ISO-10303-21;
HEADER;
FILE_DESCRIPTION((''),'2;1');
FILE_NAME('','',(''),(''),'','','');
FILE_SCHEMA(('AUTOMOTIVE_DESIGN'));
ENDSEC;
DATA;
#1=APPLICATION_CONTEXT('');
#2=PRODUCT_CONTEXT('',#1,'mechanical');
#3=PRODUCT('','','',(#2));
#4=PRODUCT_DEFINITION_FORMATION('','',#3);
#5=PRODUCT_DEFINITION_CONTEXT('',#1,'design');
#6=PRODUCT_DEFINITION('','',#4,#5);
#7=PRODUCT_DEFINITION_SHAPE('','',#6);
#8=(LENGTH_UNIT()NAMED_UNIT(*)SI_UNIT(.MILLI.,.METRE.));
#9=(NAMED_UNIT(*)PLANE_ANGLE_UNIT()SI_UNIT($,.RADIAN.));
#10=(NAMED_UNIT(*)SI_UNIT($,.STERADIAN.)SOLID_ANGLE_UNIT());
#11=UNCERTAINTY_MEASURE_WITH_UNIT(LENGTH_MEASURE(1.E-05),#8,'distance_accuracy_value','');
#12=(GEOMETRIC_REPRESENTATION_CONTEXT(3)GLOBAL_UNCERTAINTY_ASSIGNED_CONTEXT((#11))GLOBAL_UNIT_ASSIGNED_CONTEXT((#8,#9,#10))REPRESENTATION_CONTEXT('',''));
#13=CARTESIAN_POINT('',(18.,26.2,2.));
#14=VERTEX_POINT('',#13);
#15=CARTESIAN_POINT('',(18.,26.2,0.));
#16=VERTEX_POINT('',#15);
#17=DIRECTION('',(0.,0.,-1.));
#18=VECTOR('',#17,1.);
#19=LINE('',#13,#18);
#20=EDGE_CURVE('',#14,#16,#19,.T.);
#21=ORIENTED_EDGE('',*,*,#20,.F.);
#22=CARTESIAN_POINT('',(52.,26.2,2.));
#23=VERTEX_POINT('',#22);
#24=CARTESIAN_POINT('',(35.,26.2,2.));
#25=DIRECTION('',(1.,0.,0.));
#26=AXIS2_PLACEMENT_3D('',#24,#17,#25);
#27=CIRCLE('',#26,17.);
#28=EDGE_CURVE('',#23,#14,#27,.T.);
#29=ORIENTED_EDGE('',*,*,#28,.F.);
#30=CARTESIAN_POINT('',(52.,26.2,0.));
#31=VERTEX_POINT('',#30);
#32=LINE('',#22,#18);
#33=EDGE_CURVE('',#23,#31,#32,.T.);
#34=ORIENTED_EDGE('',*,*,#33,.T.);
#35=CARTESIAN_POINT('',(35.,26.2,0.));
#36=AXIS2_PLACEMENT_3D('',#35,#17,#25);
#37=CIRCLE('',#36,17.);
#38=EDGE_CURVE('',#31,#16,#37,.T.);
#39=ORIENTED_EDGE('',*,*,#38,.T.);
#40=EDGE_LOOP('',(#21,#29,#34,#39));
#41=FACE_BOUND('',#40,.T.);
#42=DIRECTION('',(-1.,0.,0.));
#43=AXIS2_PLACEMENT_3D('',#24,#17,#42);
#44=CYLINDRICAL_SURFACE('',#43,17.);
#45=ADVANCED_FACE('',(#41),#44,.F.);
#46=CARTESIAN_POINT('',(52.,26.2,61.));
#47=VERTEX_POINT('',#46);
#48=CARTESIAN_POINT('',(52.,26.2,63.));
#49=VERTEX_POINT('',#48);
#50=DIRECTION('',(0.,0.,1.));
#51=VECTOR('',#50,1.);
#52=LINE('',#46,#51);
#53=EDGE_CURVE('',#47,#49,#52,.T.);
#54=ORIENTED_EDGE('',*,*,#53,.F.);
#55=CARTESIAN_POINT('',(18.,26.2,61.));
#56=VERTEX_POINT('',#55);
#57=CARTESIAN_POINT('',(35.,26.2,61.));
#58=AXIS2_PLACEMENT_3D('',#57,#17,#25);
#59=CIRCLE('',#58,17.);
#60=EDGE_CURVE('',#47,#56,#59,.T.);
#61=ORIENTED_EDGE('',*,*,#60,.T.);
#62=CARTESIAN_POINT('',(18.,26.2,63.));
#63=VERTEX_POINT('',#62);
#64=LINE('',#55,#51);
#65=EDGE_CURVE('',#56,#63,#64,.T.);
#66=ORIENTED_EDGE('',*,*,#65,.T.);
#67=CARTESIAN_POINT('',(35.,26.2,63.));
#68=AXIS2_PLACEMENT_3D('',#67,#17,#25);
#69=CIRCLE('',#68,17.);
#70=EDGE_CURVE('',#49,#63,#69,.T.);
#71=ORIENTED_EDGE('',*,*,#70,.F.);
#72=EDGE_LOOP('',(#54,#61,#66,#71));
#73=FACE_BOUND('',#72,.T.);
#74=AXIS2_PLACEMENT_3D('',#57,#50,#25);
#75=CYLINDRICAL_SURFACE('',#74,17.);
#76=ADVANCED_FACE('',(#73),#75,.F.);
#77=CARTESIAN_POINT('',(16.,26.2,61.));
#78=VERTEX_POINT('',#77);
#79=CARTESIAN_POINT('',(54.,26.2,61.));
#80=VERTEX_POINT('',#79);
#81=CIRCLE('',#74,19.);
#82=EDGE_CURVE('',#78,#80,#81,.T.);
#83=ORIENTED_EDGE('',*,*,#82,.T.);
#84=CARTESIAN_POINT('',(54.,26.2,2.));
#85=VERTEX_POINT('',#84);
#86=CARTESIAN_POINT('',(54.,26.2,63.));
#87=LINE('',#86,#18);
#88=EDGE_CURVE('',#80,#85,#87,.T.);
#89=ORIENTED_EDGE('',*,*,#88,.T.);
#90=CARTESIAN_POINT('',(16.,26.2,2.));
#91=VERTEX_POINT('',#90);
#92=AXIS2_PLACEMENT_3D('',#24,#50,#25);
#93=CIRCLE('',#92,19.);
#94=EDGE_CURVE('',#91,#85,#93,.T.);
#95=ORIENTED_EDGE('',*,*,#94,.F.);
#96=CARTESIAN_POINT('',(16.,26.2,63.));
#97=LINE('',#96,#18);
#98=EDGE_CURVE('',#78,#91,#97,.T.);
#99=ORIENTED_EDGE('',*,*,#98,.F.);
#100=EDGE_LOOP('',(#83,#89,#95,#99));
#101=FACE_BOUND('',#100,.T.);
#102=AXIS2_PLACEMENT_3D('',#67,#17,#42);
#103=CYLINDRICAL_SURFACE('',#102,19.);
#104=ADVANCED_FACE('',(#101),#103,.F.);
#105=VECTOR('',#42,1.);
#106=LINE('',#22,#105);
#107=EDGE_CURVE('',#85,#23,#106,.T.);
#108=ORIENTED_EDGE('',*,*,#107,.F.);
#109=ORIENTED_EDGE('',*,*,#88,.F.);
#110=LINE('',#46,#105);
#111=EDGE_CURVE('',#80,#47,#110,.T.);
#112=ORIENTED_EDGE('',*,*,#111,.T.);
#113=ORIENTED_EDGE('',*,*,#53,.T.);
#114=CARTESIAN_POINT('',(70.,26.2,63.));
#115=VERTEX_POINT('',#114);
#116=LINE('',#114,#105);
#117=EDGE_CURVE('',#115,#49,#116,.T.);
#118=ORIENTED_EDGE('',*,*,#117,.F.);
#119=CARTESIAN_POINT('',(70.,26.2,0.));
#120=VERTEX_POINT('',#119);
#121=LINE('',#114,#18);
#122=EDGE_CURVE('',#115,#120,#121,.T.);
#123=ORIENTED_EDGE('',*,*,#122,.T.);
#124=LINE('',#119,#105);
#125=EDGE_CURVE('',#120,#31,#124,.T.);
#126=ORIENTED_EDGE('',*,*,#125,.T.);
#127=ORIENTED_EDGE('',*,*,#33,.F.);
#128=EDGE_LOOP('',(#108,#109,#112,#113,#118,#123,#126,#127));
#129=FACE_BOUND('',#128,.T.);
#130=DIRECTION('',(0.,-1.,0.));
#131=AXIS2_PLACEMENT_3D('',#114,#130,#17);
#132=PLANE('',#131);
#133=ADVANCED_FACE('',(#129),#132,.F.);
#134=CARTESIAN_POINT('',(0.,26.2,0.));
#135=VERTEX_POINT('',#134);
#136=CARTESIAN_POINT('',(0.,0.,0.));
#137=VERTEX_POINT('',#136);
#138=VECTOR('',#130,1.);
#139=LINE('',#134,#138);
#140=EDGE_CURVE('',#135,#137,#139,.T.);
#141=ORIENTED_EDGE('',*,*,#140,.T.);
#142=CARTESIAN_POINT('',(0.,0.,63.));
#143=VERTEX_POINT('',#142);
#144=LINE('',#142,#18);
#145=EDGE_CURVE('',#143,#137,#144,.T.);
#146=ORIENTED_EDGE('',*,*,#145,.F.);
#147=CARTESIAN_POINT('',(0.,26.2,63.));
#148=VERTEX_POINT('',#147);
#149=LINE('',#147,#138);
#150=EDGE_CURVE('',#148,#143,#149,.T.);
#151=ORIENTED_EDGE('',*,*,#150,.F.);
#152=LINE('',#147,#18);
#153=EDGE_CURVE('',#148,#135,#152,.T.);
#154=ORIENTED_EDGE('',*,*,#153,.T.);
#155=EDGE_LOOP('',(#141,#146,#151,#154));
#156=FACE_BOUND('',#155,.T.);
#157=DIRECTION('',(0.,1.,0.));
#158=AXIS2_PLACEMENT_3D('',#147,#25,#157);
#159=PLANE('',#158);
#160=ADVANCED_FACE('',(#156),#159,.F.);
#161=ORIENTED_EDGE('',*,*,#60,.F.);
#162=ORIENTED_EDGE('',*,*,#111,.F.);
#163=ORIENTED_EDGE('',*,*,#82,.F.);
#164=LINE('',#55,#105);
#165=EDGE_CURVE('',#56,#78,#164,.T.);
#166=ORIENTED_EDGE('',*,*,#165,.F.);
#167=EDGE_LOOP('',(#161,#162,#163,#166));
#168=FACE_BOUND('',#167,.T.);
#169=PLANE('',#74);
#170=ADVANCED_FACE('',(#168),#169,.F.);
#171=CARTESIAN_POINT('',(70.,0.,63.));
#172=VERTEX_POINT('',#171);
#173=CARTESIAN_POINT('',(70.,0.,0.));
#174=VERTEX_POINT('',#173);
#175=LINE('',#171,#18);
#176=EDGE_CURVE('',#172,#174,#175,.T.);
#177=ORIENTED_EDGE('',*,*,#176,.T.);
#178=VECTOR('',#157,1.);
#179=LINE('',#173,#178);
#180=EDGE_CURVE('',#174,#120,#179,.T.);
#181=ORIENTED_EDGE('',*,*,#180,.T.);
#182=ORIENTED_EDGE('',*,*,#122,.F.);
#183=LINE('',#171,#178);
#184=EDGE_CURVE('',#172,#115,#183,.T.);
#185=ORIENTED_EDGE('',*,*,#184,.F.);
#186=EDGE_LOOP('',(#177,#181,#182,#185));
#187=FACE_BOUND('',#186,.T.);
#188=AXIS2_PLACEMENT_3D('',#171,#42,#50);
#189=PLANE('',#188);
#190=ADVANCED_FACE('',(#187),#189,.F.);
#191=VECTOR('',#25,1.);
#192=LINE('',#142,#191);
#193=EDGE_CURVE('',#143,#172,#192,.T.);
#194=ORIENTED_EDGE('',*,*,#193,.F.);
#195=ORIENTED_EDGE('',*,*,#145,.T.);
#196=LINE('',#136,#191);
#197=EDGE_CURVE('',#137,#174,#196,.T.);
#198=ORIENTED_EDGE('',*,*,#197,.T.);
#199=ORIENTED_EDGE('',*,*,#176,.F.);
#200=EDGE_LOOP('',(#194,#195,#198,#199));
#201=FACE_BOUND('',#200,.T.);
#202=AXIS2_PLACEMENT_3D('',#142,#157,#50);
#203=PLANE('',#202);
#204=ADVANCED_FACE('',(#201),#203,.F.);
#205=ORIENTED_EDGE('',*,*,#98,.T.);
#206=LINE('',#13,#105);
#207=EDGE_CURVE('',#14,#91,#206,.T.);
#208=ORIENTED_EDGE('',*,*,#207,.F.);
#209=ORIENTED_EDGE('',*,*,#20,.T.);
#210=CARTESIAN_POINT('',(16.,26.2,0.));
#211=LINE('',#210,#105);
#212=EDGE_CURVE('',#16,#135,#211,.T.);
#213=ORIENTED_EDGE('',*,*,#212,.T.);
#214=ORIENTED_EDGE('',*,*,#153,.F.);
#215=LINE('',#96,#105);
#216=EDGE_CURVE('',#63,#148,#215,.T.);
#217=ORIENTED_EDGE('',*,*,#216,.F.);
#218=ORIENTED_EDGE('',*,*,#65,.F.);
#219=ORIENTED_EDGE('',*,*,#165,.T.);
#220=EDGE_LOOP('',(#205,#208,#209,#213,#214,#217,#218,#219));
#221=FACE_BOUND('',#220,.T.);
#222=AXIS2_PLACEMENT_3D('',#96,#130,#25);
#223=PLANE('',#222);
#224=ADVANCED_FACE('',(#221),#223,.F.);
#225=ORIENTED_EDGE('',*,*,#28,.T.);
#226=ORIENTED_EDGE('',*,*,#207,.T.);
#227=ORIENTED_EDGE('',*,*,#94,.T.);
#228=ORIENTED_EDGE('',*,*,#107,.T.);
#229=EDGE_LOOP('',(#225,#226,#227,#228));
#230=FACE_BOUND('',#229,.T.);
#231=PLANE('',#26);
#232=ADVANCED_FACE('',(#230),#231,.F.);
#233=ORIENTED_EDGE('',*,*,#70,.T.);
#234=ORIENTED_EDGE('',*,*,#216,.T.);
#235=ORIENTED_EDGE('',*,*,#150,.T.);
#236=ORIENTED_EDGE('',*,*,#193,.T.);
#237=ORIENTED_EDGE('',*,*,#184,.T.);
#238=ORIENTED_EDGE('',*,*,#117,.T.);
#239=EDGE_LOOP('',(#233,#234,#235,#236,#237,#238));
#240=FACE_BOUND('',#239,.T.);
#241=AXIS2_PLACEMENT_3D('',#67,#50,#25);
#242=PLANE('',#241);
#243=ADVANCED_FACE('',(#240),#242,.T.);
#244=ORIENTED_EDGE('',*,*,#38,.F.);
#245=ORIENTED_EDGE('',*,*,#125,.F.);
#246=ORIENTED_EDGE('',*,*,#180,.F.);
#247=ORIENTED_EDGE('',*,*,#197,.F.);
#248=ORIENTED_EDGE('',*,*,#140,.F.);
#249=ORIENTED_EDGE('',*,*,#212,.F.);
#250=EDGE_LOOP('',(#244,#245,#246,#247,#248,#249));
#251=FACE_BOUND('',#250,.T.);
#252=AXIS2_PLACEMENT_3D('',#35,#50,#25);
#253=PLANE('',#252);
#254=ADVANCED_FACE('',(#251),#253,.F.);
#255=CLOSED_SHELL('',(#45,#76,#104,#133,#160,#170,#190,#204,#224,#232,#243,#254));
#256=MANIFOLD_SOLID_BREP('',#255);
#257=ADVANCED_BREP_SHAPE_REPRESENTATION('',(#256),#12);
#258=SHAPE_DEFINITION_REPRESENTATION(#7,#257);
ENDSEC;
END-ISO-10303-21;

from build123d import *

# Parameters (mm, degrees)
BOSS_EXTRUDE1_DEPTH = 63
BOSS_EXTRUDE2_START = -2
BOSS_EXTRUDE2_DEPTH = 2


with BuildPart() as part:
    # Sketch1 → Boss-Extrude1 (new body)
    with BuildSketch(Plane.XY):
        with BuildLine():
            Line((0, 0), (70, 0))
            Line((70, 0), (70, 26.2))
            Line((70, 26.2), (54, 26.2))
            ThreePointArc((54, 26.2), (35, 7.2), (16, 26.2))
            Line((16, 26.2), (0, 26.2))
            Line((0, 26.2), (0, 0))
        make_face()
    extrude(amount=BOSS_EXTRUDE1_DEPTH)

    # Sketch2 → Boss-Extrude2 (add)
    with BuildSketch(Plane.XY.offset(63).offset(BOSS_EXTRUDE2_START)):
        with BuildLine():
            Line((18, 26.2), (16, 26.2))
            ThreePointArc((16, 26.2), (35, 7.2), (54, 26.2))
            Line((54, 26.2), (52, 26.2))
            ThreePointArc((52, 26.2), (35, 9.2), (18, 26.2))
        make_face()
    boss_extrude2 = extrude(amount=BOSS_EXTRUDE2_DEPTH)

    # Mirror1: Boss-Extrude2 across plane
    add(boss_extrude2.mirror(Plane(origin=(0, 0, 31.5), x_dir=(1, 0, 0), z_dir=(0, 0, -1))))


solid = part.part
